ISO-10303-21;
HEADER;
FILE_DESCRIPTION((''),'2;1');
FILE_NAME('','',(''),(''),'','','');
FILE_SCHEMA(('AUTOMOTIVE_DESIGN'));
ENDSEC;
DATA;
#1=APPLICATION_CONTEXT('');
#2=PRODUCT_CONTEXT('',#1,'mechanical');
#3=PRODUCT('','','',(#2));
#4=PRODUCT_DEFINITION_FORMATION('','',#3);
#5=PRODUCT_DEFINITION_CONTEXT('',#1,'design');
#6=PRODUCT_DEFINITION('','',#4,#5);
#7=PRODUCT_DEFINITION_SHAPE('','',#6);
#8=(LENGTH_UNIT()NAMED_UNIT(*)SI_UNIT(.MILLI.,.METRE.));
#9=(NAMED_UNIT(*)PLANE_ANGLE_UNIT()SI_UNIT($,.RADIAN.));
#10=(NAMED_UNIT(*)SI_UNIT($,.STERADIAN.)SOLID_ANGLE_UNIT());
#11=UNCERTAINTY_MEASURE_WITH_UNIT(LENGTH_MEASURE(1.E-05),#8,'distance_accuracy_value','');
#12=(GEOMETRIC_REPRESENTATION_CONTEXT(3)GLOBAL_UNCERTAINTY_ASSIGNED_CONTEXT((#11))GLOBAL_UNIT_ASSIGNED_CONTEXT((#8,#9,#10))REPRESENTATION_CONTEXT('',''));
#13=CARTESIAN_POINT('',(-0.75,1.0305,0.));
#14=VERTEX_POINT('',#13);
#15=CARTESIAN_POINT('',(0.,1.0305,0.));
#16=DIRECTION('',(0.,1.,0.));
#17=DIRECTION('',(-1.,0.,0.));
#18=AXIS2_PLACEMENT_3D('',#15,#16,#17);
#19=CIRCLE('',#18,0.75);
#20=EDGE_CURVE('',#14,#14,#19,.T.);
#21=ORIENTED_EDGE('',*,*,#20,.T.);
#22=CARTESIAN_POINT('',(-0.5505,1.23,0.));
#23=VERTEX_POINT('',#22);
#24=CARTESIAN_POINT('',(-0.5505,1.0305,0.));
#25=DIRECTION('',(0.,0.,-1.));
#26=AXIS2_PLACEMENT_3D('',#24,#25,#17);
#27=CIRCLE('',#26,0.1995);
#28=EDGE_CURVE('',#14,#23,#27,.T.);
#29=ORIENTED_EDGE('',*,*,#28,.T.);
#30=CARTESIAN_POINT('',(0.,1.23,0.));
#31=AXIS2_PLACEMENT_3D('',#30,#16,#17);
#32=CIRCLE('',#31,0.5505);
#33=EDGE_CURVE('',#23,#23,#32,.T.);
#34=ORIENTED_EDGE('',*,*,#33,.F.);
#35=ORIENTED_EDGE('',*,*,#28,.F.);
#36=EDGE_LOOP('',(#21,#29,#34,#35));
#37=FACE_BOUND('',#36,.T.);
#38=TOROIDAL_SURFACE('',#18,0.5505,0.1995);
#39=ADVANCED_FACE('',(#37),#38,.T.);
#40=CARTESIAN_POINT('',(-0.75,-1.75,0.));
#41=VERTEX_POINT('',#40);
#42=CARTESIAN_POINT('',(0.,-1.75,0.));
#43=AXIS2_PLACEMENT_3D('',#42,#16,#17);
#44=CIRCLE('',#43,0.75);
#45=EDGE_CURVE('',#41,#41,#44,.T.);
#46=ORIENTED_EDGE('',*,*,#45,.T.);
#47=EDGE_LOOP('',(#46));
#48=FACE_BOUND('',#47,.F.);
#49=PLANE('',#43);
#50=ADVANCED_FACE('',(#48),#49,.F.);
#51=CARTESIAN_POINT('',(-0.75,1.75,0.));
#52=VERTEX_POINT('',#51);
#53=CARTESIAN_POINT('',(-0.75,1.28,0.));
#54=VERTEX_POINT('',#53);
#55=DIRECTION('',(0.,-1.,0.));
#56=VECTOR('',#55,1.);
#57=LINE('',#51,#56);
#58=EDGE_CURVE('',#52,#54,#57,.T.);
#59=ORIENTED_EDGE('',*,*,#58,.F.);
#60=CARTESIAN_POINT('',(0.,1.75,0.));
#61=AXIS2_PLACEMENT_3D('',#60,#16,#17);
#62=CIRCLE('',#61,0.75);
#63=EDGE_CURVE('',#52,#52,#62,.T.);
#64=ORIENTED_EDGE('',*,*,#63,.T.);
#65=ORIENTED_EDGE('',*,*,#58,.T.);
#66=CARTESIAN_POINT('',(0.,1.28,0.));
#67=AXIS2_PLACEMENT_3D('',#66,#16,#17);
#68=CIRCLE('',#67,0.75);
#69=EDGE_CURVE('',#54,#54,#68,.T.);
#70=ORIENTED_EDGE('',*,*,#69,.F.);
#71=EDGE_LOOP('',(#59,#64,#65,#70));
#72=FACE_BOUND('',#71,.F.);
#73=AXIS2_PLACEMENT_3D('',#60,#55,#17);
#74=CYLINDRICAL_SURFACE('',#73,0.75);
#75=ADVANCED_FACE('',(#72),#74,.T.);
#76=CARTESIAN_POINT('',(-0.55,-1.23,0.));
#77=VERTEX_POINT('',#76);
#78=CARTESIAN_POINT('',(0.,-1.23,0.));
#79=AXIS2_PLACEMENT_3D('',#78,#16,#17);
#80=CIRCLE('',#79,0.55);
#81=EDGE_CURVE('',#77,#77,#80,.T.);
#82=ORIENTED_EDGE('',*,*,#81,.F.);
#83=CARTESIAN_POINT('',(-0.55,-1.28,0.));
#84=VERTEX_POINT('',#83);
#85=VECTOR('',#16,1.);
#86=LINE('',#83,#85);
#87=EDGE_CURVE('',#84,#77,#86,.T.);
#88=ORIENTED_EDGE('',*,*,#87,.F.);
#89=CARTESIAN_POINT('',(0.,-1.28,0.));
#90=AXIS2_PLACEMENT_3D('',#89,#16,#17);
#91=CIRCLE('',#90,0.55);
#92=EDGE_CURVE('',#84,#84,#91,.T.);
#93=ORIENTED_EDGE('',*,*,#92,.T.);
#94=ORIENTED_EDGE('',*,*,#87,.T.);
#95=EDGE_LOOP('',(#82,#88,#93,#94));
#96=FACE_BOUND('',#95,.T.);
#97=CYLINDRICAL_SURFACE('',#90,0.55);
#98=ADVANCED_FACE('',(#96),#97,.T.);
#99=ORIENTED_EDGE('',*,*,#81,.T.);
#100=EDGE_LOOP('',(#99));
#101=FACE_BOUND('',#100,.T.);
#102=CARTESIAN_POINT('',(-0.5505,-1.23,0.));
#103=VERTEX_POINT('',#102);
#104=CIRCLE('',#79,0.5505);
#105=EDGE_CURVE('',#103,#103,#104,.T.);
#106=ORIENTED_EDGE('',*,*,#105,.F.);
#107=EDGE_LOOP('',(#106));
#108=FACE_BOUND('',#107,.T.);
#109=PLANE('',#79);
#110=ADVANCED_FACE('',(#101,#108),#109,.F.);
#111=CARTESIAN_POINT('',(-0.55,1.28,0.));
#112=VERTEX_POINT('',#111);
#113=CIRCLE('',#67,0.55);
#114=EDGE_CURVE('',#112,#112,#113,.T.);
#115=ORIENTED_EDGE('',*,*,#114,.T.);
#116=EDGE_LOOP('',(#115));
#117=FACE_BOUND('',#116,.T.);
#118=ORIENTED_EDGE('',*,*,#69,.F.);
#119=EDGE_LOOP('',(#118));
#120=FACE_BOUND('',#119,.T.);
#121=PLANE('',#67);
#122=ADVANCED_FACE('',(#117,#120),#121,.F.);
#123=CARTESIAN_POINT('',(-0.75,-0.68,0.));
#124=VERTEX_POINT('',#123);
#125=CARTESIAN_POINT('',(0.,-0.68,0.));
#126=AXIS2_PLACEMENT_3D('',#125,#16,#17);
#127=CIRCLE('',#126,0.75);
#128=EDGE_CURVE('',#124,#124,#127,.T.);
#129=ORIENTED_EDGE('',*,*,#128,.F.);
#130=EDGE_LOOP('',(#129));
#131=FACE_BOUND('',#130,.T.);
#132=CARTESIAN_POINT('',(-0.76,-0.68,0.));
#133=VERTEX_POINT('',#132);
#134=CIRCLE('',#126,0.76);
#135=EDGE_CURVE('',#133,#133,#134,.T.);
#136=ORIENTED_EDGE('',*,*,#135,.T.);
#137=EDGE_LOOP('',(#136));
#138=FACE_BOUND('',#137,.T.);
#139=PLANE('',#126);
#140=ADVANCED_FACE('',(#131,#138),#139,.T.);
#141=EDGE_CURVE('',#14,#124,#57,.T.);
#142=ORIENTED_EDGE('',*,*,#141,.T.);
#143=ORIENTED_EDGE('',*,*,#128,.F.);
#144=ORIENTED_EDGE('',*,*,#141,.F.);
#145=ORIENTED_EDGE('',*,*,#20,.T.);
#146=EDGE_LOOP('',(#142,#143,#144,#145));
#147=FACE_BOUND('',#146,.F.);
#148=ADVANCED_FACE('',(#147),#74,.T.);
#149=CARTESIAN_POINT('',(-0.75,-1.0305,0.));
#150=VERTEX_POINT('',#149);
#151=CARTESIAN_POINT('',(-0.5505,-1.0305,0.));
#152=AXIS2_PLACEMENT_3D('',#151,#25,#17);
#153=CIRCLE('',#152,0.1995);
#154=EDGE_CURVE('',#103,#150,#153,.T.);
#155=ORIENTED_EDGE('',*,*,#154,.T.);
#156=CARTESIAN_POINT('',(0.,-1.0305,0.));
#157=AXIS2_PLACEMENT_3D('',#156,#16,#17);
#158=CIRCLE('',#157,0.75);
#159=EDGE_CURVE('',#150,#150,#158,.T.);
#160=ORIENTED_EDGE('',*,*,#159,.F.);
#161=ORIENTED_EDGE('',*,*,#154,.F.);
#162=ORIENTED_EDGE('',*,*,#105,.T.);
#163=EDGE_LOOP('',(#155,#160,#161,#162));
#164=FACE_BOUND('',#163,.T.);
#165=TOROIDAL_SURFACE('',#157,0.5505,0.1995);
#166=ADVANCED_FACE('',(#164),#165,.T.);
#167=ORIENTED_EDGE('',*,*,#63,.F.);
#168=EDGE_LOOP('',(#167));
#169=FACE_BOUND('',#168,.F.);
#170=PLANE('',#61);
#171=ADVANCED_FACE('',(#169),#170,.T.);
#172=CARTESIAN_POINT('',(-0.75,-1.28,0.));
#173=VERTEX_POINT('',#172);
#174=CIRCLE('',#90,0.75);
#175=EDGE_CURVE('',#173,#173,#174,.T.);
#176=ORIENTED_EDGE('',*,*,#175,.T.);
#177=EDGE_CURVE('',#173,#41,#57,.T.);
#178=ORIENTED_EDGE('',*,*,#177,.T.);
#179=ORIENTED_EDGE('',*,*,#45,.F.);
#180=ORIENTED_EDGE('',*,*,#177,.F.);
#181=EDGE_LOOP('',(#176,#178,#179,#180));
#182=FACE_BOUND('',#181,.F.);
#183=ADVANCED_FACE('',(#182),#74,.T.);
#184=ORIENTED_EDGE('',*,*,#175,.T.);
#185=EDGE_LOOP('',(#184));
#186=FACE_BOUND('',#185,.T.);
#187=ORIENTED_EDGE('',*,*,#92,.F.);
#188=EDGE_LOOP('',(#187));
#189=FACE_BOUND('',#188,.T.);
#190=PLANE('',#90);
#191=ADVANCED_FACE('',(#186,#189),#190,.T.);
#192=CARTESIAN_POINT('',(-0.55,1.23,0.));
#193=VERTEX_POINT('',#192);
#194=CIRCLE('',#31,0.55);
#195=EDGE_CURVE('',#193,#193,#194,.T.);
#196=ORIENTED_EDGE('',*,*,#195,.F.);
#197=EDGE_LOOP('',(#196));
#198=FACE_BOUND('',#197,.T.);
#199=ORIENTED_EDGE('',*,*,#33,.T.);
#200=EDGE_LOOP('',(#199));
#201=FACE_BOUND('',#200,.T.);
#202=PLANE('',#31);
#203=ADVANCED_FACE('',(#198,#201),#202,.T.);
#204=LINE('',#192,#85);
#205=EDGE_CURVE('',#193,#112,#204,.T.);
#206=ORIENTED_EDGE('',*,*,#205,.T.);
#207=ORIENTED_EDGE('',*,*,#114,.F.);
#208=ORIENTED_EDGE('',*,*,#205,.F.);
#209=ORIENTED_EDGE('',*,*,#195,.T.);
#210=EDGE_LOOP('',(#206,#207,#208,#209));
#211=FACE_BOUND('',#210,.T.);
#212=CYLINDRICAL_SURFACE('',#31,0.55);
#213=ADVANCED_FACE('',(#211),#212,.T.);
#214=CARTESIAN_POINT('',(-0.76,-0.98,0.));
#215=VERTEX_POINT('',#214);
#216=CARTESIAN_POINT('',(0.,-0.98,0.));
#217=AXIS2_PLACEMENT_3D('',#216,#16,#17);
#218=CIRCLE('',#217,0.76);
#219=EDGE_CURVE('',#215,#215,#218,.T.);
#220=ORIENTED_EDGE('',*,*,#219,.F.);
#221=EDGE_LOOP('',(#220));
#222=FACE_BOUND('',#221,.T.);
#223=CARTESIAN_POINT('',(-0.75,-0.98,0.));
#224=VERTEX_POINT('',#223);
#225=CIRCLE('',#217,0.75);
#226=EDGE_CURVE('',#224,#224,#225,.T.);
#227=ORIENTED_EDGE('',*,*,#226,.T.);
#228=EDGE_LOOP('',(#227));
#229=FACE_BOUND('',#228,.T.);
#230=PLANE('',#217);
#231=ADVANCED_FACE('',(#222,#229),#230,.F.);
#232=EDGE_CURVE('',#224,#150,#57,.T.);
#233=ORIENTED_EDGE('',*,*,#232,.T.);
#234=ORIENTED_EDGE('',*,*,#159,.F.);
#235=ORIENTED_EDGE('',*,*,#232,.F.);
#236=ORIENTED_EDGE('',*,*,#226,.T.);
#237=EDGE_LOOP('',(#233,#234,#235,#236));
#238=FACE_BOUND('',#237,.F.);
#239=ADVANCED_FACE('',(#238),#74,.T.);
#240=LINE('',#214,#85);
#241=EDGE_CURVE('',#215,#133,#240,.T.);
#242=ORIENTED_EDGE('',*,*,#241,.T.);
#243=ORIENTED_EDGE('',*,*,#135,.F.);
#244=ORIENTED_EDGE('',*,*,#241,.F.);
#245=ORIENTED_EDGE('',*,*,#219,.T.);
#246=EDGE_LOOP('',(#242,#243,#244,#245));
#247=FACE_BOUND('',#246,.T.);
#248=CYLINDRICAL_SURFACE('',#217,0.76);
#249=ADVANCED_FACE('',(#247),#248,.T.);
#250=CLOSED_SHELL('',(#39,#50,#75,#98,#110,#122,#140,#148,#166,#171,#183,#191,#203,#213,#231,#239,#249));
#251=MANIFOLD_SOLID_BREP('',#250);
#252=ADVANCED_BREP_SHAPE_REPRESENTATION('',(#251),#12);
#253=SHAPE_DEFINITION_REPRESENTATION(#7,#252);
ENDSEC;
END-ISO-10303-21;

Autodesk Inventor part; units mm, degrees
ref_plane "YZ Plane" through (0, 0, 0) normal (1, 0, 0) x (0, 1, 0)
ref_plane "XZ Plane" through (0, 0, 0) normal (0, 1, 0) x (-1, 0, 0)
ref_plane "XY Plane" through (0, 0, 0) normal (0, 0, 1) x (1, 0, 0)
sketch "Sketch1" plane through (0, 0, 0) normal (0, 0, 1) x (1, 0, 0)
  line L0 (-0.75, -1.75) -> (0.75, -1.75)
  line L1 (0.75, -1.75) -> (0.75, 1.75)
  line L2 (0.75, 1.75) -> (-0.75, 1.75)
  line L3 (-0.75, 1.75) -> (-0.75, -1.75)
  line L4 (-0.75, -1.75) -> (0.75, 1.75) construction
  line L5 (0.75, -1.75) -> (-0.75, 1.75) construction
  line L6 (-0.75, -1.28) -> (-0.55, -1.28)
  line L7 (-0.55, -1.28) -> (-0.55, -1.23)
  line L8 (-0.55, -1.23) -> (-0.75, -1.23)
  line L9 (-0.75, -1.23) -> (-0.75, -1.28)
  line L10 (-0.75, 1.23) -> (-0.55, 1.23)
  line L11 (-0.55, 1.23) -> (-0.55, 1.28)
  line L12 (-0.55, 1.28) -> (-0.75, 1.28)
  line L13 (-0.75, 1.28) -> (-0.75, 1.23)
  line L14 (0, -1.75) -> (0, 1.75)
  line L15 (-0.75, -0.98) -> (-0.76, -0.98)
  line L16 (-0.76, -0.98) -> (-0.76, -0.68)
  line L17 (-0.76, -0.68) -> (-0.75, -0.68)
  line L18 (-0.75, -0.68) -> (-0.75, -0.98)
  point P0 (0, 0)
  dimension "d0" = 1.5
  dimension "d1" = 3.5
  dimension "d2" = 0.47
  dimension "d3" = 0.05
  dimension "d4" = 0.47
  dimension "d5" = 0.05
  dimension "d6" = 0.2
  dimension "d9" = 0.01
  dimension "d10" = 0.25
  dimension "d11" = 0.3
revolve "Revolution1" add sketch "Sketch1" angle 360 about axis through (0, -1.75, 0) along (0, 1, 0) contours L3 L6 L7 L8 L10 L11 L12 L2 L14 L0 | L15 L16 L17 L3
fillet "Fillet1" radius 0.2 2 edges at (0.75, -1.23, 0) (0.75, 1.23, 0)
properties part number "sod-80" material "Glass"
